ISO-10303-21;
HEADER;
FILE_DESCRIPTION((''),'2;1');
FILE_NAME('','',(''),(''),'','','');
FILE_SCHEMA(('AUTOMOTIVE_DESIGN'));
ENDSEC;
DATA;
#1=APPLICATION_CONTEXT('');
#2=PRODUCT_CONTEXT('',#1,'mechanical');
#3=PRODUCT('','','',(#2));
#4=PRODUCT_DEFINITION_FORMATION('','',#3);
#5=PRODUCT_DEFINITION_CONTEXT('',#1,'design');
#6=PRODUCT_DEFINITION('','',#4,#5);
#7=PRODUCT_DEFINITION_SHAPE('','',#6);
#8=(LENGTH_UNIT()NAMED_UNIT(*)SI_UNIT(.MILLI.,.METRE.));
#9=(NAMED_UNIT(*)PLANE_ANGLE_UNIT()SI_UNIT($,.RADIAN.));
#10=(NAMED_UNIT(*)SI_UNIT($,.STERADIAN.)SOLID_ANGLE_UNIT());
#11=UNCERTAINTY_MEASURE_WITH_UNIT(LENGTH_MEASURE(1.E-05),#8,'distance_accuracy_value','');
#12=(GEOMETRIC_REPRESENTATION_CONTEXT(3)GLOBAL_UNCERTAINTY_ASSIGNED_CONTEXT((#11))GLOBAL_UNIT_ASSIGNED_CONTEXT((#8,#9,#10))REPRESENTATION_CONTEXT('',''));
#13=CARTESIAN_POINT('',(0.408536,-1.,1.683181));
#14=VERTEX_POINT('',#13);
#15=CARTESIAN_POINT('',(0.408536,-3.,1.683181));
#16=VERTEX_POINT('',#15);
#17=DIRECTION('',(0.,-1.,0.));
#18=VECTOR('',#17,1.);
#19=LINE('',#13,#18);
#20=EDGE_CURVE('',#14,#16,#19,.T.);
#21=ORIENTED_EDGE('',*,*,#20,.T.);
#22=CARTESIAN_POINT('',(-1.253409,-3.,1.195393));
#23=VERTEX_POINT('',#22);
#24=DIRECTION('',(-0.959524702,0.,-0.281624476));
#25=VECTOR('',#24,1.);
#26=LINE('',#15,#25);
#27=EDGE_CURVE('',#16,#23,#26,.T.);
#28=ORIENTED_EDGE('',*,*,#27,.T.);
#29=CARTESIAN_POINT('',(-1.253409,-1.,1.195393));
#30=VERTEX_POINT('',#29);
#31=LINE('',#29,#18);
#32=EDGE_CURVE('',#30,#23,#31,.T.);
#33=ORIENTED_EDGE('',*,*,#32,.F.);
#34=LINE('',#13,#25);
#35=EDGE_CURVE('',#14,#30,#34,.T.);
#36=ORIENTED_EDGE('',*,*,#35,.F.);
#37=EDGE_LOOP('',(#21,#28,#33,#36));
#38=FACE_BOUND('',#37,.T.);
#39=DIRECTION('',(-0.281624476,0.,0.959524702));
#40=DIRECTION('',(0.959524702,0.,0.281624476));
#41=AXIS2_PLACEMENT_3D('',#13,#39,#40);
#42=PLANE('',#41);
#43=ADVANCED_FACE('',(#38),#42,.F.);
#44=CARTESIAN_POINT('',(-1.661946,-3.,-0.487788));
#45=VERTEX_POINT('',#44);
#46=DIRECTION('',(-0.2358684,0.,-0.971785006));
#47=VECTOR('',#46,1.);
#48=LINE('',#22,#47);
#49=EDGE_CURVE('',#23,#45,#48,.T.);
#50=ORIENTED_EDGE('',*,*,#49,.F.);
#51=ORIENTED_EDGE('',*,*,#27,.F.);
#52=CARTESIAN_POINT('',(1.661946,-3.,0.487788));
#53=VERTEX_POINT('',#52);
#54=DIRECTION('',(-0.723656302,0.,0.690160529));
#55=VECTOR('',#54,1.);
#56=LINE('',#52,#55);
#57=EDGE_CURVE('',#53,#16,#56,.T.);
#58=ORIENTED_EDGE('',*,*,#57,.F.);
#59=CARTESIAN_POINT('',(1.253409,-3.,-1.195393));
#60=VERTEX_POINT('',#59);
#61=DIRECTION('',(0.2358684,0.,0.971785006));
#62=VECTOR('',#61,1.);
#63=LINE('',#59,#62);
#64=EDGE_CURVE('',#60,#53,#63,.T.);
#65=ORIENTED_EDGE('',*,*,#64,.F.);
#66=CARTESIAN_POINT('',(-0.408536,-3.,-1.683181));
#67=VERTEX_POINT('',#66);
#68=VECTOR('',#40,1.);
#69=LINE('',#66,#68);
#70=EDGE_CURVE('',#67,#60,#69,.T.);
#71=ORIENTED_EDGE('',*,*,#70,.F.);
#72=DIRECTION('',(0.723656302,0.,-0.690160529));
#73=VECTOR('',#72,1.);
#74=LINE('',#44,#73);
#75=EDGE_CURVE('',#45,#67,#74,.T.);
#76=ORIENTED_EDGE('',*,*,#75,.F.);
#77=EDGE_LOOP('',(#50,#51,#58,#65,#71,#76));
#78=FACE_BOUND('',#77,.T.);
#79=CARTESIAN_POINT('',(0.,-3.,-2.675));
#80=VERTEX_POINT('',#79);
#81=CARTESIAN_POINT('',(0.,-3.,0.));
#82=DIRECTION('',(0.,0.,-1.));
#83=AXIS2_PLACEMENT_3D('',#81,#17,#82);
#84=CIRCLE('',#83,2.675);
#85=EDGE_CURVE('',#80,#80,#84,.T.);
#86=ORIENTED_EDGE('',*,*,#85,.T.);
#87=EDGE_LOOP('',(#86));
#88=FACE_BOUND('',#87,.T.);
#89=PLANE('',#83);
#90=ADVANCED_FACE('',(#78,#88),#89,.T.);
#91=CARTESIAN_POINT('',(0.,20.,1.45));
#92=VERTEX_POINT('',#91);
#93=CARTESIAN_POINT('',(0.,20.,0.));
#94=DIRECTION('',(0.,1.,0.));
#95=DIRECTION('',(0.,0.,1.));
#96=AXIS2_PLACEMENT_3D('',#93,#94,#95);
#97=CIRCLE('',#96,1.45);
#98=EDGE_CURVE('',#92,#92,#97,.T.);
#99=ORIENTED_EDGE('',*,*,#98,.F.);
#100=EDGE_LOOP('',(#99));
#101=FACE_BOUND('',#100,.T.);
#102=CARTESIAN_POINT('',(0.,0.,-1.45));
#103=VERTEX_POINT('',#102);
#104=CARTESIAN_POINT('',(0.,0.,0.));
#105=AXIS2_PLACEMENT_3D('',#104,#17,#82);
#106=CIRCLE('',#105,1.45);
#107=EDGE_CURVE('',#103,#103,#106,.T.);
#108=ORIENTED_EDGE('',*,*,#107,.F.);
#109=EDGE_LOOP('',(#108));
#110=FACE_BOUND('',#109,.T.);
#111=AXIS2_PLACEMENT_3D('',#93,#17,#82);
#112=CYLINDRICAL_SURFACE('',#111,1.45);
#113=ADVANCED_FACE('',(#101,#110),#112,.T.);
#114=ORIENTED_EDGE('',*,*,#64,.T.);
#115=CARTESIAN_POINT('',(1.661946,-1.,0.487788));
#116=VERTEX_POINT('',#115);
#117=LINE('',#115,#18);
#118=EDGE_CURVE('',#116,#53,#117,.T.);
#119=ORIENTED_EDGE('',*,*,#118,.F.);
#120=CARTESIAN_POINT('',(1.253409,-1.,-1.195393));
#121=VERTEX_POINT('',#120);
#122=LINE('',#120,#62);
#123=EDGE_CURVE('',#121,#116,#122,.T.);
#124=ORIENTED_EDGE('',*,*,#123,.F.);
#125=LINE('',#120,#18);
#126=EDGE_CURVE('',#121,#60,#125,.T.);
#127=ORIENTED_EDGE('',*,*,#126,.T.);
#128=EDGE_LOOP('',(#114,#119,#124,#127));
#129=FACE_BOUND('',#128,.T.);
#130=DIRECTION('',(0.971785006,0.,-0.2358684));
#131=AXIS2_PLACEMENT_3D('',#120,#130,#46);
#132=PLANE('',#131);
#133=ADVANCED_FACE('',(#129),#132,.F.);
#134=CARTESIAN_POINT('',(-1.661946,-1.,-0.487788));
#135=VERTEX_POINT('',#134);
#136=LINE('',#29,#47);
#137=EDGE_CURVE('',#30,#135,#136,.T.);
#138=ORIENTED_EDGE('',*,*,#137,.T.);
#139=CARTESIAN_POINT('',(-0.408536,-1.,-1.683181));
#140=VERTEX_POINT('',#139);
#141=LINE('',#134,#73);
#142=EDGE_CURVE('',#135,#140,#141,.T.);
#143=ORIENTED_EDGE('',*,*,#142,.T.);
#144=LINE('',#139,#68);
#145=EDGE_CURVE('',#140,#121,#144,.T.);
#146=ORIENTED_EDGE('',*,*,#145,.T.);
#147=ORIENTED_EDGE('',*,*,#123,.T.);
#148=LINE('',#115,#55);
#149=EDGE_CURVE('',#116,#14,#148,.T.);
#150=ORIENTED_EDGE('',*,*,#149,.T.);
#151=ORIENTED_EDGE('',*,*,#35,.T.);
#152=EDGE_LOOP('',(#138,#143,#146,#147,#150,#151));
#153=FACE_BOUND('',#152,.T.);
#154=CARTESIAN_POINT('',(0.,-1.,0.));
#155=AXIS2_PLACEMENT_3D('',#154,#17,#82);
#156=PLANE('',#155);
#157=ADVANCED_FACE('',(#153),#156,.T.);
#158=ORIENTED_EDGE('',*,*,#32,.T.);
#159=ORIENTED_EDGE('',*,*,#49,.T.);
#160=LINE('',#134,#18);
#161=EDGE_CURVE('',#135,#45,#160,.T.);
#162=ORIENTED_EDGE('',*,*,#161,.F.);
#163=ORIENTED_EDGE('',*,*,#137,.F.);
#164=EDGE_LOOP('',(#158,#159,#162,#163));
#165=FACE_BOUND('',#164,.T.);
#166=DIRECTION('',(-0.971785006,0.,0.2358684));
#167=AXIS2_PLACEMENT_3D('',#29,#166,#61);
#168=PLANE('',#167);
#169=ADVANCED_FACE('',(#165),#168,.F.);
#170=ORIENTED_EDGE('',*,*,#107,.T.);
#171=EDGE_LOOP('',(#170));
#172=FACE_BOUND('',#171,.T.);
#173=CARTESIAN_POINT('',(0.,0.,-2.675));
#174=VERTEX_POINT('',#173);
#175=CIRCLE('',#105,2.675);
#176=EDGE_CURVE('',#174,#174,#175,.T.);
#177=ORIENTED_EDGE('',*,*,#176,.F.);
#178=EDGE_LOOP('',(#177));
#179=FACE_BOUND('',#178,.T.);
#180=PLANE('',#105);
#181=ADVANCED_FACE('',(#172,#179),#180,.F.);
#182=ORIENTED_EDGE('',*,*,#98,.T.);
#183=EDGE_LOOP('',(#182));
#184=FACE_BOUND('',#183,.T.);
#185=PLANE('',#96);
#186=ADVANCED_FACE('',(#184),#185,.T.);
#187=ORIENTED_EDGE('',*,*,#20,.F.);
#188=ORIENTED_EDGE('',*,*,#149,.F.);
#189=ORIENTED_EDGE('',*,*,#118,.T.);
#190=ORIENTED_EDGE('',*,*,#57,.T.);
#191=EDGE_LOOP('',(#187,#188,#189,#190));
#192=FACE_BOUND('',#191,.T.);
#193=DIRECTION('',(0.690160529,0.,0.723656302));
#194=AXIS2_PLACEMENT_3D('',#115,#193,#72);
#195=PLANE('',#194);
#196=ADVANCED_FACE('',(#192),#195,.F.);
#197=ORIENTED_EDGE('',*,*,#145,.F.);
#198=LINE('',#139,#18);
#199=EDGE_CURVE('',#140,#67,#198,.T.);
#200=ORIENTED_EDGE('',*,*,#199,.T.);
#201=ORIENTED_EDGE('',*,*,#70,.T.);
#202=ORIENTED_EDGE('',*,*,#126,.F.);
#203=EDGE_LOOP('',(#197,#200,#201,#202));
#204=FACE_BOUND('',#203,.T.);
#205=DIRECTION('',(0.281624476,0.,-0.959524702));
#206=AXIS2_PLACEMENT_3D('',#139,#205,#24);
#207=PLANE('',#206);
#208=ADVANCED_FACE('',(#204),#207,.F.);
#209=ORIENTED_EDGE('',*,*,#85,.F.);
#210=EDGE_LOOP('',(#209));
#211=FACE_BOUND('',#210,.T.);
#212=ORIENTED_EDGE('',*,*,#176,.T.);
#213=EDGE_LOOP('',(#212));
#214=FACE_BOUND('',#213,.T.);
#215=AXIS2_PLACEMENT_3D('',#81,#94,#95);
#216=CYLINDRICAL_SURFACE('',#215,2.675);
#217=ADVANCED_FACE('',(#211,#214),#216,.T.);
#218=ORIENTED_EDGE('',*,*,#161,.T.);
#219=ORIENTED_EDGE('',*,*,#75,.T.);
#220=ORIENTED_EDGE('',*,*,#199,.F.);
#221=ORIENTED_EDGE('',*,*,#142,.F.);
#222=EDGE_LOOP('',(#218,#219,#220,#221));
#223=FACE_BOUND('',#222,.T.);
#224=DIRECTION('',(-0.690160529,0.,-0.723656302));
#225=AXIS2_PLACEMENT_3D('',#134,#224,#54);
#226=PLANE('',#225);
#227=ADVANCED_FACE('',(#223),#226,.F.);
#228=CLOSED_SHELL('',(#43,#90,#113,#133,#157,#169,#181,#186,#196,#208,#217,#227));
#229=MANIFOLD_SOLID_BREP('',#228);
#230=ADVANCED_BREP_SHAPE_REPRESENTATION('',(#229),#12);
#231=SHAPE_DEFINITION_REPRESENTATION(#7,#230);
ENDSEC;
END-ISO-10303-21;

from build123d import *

# Parameters (mm, degrees)
SKETCH1_R           = 1.45
BOSS_EXTRUDE1_DEPTH = 20
SKETCH2_R           = 2.675
BOSS_EXTRUDE2_DEPTH = 3
CUT_EXTRUDE1_DEPTH  = 2


with BuildPart() as part:
    # Sketch1 → Boss-Extrude1 (new body)
    with BuildSketch(Plane(origin=(0, 0, 0), x_dir=(1, 0, 0), z_dir=(0, 1, 0))):
        with Locations(Location((0, 0, 0), (0, 0, 270))):
            Circle(SKETCH1_R)
    extrude(amount=BOSS_EXTRUDE1_DEPTH)

    # Sketch2 → Boss-Extrude2 (add)
    with BuildSketch(Plane.XZ):
        with Locations(Location((0, 0, 0), (0, 0, 270))):
            Circle(SKETCH2_R)
    extrude(amount=BOSS_EXTRUDE2_DEPTH)

    # Sketch3 → Cut-Extrude1 (cut)
    with BuildSketch(Plane.XZ.offset(3)):
        Polygon((1.661945535, 0.487787902), (0.408536053, 1.683181004), (-1.253409482, 1.195393102), (-1.661945535, -0.487787902), (-0.408536053, -1.683181004), (1.253409482, -1.195393102), align=None)
    extrude(amount=-CUT_EXTRUDE1_DEPTH, mode=Mode.SUBTRACT)


solid = part.part
